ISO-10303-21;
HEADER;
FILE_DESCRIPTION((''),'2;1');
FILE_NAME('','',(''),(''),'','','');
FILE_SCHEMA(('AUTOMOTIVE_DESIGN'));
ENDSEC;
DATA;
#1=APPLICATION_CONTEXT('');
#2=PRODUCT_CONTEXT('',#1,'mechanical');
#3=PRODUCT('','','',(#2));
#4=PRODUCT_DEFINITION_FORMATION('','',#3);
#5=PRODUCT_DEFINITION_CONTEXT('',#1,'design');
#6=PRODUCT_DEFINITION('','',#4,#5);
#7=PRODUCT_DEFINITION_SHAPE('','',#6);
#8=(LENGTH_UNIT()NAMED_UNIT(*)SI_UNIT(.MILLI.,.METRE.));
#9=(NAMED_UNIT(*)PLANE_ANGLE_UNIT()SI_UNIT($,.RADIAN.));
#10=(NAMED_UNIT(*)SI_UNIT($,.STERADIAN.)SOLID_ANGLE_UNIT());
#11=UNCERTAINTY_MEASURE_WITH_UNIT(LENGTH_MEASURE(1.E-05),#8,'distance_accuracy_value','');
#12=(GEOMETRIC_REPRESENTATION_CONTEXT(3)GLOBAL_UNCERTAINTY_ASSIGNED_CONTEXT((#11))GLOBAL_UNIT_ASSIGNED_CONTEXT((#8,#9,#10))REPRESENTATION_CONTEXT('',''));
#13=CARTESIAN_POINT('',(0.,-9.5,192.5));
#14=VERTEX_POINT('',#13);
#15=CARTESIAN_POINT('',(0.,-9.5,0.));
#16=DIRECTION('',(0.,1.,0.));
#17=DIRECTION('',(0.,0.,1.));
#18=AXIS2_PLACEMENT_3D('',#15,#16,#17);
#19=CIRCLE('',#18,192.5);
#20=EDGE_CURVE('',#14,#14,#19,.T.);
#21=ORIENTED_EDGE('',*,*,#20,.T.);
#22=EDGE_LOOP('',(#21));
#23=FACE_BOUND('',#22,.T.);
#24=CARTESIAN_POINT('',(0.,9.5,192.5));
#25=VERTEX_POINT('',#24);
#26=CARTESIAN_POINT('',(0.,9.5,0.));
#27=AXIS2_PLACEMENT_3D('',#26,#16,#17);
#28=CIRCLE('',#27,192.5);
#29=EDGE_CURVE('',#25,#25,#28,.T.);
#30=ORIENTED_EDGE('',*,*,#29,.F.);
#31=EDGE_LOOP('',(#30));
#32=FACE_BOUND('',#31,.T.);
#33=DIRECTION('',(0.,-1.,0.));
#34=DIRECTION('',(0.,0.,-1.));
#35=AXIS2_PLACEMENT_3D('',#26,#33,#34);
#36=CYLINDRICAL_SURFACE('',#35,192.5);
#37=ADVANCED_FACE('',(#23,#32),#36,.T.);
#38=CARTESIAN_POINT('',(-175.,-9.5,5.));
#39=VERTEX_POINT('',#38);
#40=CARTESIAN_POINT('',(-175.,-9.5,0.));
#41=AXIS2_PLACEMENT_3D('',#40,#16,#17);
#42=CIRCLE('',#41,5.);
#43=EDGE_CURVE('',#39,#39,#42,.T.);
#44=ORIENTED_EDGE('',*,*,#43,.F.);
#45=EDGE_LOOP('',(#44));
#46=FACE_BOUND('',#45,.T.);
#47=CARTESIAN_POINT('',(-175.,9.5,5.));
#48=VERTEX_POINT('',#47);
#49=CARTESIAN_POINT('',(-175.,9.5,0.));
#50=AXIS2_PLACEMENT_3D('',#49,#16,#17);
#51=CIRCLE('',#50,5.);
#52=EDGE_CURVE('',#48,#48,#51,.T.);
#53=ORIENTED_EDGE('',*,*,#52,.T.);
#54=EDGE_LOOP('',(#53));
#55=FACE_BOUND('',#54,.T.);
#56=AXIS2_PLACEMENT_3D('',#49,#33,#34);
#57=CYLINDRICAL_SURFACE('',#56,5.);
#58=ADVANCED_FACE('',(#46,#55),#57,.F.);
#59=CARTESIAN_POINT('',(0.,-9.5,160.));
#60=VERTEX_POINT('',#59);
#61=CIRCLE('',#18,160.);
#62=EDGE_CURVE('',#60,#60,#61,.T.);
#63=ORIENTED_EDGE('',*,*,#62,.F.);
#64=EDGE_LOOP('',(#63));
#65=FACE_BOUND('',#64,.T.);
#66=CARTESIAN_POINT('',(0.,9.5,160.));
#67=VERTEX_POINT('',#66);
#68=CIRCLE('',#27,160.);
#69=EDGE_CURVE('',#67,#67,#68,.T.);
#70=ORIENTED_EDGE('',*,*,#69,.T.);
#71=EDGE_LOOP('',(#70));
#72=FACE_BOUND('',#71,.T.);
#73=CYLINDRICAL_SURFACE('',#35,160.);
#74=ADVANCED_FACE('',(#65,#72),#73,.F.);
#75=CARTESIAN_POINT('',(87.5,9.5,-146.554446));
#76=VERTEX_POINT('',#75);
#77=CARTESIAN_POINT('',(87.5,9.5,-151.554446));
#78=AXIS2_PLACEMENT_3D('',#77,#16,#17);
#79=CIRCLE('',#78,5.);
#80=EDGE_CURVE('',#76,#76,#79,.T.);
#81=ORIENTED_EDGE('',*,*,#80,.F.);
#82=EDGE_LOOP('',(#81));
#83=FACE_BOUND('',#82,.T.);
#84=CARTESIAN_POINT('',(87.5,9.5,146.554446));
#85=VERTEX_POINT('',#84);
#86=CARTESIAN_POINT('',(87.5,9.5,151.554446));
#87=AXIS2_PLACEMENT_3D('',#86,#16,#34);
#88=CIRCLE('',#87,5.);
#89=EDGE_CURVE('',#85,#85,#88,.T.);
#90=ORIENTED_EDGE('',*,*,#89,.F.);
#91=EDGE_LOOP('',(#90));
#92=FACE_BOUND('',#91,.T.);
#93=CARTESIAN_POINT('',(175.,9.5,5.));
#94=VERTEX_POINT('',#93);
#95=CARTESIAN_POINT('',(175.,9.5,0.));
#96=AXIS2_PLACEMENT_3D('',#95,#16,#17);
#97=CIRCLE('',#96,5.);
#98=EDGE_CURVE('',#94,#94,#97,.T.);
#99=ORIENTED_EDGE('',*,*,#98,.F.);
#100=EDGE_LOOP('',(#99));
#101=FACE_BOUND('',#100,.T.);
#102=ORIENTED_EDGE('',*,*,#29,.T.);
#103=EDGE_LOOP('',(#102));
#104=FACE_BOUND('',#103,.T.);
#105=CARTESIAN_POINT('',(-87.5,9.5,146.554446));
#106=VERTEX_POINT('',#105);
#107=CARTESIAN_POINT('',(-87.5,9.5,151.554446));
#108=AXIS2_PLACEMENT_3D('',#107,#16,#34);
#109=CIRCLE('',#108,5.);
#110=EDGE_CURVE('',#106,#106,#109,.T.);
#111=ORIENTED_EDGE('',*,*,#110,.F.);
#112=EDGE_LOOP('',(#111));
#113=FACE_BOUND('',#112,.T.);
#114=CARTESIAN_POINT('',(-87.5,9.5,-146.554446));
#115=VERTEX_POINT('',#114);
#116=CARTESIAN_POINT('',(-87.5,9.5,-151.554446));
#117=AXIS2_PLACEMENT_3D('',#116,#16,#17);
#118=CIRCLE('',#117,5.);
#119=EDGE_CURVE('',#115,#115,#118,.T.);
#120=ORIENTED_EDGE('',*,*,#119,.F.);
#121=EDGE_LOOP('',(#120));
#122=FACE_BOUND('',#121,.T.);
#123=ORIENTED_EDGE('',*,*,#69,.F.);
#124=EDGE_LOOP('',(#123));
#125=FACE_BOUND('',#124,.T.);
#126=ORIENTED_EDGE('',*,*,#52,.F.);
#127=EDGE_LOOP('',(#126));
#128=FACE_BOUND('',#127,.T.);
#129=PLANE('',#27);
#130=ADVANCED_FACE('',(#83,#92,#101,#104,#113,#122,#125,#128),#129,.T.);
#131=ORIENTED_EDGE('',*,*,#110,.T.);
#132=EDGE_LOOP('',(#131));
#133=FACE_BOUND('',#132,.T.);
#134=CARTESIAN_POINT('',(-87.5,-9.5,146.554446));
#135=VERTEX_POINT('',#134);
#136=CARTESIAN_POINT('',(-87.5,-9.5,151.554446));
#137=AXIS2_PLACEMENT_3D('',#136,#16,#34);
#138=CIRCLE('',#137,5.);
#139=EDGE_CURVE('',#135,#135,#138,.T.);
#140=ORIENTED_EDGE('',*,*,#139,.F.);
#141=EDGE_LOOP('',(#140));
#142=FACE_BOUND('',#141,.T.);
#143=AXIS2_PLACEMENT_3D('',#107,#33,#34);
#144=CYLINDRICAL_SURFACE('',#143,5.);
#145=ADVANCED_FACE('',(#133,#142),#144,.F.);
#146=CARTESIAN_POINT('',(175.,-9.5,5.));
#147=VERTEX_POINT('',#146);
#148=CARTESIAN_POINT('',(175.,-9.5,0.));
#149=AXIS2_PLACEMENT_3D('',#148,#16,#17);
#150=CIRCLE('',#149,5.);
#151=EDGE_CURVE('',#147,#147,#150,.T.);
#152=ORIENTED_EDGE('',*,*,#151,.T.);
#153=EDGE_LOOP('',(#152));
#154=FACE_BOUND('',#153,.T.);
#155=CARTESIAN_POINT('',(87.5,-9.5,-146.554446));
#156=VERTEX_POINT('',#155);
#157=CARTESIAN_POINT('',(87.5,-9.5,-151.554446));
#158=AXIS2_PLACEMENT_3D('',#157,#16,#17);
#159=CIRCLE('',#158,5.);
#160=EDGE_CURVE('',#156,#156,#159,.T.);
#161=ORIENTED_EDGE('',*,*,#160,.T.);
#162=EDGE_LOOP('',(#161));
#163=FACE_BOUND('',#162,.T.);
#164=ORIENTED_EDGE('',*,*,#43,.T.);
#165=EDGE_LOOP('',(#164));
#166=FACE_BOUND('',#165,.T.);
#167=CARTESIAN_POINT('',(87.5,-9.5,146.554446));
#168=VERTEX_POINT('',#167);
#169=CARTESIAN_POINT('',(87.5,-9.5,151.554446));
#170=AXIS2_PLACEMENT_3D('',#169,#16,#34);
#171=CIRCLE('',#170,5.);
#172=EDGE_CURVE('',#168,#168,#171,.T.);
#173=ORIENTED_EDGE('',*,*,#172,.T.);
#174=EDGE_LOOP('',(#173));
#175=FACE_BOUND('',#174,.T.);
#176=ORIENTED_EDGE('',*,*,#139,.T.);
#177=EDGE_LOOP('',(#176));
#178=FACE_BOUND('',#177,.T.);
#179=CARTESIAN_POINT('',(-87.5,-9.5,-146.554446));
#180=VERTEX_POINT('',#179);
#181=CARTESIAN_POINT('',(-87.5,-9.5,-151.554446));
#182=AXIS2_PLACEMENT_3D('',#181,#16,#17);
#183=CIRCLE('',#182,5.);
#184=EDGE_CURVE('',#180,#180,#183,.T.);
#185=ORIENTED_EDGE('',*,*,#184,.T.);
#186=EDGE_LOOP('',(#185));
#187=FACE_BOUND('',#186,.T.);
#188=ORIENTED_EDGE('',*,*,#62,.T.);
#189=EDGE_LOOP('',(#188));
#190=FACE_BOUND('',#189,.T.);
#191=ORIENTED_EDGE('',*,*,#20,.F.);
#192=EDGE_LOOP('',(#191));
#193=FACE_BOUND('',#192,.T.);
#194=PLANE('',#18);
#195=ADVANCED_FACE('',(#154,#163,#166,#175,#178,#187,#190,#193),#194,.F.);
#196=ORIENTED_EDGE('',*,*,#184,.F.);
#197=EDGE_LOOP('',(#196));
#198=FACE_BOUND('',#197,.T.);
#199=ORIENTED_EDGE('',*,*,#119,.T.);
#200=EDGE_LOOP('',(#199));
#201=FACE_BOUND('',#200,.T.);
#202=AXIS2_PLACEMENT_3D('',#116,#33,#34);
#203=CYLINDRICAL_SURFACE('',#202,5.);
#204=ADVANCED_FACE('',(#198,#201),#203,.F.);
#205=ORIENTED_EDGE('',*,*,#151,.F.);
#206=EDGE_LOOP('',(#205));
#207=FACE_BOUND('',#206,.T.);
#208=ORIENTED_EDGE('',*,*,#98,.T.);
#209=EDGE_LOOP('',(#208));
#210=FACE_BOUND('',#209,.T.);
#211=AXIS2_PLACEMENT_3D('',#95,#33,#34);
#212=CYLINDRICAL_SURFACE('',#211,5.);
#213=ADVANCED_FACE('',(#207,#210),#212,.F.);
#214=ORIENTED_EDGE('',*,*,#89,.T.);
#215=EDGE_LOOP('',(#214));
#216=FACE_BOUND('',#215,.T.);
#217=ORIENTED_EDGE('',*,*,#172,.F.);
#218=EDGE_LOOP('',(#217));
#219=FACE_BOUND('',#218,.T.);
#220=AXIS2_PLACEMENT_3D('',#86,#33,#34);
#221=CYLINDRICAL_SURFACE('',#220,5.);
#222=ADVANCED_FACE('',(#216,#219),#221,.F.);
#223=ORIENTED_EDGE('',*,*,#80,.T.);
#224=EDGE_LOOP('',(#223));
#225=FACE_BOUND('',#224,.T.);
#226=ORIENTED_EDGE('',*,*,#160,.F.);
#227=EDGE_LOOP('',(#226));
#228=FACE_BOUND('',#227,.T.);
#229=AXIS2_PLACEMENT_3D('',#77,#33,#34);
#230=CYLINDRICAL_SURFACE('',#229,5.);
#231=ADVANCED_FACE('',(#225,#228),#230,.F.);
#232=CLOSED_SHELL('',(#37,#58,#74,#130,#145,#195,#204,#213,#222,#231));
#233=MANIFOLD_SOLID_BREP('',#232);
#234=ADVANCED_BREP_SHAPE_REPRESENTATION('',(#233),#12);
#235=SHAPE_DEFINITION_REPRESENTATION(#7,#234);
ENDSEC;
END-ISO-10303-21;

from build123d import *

# Parameters (mm, degrees)
SKETCH1_R           = 192.5
SKETCH1_R_2         = 160
SKETCH1_R_3         = 5
BOSS_EXTRUDE1_DEPTH = 9.5


with BuildPart() as part:
    # Sketch1 → Boss-Extrude1 (new, symmetric)
    with BuildSketch(Plane(origin=(0, 0, 0), x_dir=(1, 0, 0), z_dir=(0, 1, 0))):
        with Locations(Location((0, 0, 0), (0, 0, 270))):
            Circle(SKETCH1_R)
        with Locations(Location((0, 0, 0), (0, 0, 270))):
            Circle(SKETCH1_R_2, mode=Mode.SUBTRACT)
        with Locations(Location((-87.5, 151.554445662, 0), (0, 0, 270))):
            Circle(SKETCH1_R_3, mode=Mode.SUBTRACT)
        with Locations(Location((-175, 0, 0), (0, 0, 270))):
            Circle(SKETCH1_R_3, mode=Mode.SUBTRACT)
        with Locations(Location((87.5, 151.554445662, 0), (0, 0, 270))):
            Circle(SKETCH1_R_3, mode=Mode.SUBTRACT)
        with Locations(Location((175, 0, 0), (0, 0, 270))):
            Circle(SKETCH1_R_3, mode=Mode.SUBTRACT)
        with Locations(Location((87.5, -151.554445662, 0), (0, 0, 90))):
            Circle(SKETCH1_R_3, mode=Mode.SUBTRACT)
        with Locations(Location((-87.5, -151.554445662, 0), (0, 0, 90))):
            Circle(SKETCH1_R_3, mode=Mode.SUBTRACT)
    extrude(amount=BOSS_EXTRUDE1_DEPTH, both=True)


solid = part.part
